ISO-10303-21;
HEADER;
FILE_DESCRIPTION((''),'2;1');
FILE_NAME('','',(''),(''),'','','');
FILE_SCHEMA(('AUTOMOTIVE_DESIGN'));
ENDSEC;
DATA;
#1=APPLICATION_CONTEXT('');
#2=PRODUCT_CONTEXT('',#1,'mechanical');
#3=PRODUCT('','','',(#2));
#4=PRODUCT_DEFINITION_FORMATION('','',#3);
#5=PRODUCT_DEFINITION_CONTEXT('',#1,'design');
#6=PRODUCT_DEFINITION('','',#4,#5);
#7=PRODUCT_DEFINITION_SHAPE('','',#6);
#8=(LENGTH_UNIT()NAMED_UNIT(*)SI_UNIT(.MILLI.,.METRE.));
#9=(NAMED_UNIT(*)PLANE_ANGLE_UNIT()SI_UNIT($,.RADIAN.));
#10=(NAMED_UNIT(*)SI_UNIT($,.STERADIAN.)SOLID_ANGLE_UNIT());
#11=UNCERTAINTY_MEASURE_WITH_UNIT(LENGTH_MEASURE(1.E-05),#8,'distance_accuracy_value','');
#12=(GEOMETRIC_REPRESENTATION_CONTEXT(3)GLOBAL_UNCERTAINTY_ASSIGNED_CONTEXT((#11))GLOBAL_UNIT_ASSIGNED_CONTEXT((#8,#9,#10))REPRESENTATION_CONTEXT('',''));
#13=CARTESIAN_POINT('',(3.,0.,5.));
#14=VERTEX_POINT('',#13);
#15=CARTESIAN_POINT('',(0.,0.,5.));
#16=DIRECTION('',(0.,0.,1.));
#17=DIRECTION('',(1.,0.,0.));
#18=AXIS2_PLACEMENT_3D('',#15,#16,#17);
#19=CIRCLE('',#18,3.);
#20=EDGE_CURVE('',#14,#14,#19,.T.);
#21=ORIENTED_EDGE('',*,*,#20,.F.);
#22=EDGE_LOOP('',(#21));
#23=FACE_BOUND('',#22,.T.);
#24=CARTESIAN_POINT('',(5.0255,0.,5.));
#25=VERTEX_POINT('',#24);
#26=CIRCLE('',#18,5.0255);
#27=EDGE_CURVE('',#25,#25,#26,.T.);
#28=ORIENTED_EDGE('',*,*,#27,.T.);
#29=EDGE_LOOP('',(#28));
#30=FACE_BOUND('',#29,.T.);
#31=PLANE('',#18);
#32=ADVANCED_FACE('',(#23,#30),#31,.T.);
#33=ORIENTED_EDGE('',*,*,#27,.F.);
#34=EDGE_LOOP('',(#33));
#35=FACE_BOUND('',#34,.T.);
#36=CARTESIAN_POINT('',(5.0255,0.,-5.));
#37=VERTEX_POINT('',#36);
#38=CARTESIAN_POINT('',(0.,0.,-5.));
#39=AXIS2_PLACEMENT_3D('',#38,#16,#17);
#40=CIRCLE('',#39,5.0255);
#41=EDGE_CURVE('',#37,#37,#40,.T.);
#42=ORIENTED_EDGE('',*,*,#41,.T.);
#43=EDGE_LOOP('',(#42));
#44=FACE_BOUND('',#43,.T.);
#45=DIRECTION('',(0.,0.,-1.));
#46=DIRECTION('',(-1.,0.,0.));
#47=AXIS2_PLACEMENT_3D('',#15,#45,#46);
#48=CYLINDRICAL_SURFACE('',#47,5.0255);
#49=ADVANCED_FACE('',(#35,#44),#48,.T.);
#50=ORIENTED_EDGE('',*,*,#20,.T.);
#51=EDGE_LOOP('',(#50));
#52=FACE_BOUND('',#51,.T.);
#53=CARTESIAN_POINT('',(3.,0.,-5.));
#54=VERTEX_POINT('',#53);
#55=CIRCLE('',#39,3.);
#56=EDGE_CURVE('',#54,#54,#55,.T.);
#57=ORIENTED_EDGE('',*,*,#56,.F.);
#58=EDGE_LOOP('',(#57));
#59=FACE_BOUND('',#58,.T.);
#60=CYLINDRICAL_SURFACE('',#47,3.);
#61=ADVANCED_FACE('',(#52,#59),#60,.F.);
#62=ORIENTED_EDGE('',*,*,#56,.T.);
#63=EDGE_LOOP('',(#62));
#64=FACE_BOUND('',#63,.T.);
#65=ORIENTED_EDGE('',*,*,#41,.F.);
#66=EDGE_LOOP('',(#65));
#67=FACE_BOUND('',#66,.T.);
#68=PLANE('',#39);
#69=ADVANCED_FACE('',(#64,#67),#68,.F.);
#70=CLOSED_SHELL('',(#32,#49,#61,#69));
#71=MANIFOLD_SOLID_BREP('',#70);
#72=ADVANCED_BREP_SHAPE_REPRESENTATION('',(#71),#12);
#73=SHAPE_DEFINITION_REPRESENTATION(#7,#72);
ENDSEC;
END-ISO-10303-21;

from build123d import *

# Parameters (mm, degrees)
SKETCH3_R                = 5.0255
SKETCH3_R_2              = 3
BOSS_EXTRUDE1_DEPTH      = 5
BOSS_EXTRUDE1_DEPTH_BACK = 5


with BuildPart() as part:
    # Sketch3 → Boss-Extrude1 (new body, two sides)
    with BuildSketch(Plane.XY) as boss_extrude1_sk:
        Circle(SKETCH3_R)
        Circle(SKETCH3_R_2, mode=Mode.SUBTRACT)
    extrude(amount=BOSS_EXTRUDE1_DEPTH)
    extrude(boss_extrude1_sk.sketch, amount=-BOSS_EXTRUDE1_DEPTH_BACK)


solid = part.part
